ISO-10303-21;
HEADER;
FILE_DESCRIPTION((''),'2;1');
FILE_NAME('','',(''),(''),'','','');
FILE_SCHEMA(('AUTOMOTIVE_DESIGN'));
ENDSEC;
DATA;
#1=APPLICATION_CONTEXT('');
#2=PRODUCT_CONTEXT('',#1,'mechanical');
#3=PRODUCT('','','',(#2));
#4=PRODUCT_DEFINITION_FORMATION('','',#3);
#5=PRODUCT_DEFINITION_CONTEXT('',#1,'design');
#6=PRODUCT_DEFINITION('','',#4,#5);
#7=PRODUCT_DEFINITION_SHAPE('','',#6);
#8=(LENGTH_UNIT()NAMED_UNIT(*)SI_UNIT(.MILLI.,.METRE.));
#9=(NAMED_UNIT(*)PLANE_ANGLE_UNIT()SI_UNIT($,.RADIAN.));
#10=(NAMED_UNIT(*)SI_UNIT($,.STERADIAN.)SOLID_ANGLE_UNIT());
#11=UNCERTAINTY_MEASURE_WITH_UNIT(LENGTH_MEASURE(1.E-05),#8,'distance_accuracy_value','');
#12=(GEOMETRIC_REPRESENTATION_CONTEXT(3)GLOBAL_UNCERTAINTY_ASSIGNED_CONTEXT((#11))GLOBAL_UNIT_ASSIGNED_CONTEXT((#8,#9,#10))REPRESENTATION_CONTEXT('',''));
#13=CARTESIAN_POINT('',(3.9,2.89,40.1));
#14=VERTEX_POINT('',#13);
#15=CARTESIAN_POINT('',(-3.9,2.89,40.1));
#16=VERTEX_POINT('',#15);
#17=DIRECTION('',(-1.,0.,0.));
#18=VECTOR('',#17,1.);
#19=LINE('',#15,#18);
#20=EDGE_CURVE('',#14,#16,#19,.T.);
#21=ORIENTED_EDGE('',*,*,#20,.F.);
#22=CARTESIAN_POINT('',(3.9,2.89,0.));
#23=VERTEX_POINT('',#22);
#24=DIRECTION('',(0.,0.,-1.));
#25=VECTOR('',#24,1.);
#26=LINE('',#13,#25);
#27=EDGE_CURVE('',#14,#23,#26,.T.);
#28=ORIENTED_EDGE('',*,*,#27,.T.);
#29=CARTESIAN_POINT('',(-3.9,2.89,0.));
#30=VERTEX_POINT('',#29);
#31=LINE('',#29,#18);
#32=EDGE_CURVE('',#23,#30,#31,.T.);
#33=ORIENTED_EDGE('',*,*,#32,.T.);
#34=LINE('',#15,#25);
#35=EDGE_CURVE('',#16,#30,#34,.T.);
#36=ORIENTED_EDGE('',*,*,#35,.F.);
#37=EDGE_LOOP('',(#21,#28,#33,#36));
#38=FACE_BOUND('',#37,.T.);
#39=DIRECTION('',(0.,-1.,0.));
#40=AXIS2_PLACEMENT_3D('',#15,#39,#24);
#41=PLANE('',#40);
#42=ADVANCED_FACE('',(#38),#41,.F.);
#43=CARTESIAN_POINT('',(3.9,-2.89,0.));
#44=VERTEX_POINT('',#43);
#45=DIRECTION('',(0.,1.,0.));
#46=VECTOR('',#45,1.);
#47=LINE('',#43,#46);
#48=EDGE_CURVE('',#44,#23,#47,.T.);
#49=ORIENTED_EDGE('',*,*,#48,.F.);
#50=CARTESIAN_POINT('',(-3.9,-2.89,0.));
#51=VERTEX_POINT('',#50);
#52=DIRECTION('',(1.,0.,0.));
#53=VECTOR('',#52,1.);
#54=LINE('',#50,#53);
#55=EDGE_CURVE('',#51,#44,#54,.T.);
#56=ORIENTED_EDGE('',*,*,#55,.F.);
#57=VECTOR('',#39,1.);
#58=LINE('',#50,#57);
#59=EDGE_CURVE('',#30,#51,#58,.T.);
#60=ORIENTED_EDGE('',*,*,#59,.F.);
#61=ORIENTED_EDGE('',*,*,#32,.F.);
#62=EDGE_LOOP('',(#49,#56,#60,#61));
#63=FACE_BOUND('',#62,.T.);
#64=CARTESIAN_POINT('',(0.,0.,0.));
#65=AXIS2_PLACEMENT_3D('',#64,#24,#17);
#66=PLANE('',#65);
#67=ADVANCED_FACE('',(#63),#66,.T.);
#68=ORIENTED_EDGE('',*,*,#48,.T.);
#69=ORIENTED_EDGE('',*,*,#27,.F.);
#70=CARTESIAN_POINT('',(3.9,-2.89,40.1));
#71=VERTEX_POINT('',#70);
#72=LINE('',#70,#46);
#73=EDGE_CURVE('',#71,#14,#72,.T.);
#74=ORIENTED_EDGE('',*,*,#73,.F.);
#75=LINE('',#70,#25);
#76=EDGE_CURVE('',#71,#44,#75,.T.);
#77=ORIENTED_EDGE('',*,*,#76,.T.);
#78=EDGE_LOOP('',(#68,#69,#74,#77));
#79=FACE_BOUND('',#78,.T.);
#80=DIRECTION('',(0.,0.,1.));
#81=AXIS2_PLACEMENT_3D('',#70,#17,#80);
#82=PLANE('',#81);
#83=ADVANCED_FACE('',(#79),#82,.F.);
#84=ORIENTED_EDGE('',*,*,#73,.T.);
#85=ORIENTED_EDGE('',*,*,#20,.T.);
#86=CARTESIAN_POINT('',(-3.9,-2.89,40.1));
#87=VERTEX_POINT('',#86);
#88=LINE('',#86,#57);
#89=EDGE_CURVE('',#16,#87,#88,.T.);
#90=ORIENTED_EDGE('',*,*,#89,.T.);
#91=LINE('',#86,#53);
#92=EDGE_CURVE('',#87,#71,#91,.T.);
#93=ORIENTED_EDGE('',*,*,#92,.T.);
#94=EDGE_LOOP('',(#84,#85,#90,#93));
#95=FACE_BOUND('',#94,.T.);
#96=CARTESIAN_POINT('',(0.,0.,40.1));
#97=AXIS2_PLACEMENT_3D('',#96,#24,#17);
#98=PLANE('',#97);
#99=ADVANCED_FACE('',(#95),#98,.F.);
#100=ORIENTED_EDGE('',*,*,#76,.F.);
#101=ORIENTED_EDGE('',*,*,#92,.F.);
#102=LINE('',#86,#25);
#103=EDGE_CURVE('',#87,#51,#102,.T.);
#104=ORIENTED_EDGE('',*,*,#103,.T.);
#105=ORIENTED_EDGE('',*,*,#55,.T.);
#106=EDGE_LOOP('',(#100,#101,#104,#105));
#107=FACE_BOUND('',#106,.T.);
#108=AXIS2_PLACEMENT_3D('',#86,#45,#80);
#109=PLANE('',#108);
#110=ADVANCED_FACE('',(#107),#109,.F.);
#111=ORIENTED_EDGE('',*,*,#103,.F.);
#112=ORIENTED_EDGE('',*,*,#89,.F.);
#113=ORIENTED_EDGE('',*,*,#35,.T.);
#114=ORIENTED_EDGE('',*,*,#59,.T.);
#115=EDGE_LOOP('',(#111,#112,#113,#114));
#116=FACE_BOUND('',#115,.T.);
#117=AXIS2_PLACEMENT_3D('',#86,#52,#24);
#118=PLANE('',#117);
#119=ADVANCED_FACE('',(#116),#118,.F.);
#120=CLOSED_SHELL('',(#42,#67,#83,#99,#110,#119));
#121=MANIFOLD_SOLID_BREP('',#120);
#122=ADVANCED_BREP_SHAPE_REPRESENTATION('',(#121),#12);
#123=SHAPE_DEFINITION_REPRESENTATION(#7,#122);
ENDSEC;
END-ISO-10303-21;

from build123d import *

# Parameters (mm, degrees)
ESQUISSE1_W        = 7.8
ESQUISSE1_H        = 5.78
BOSS_EXTRU_1_DEPTH = 40.1


with BuildPart() as part:
    # Esquisse1 → Boss.-Extru.1 (new body)
    with BuildSketch(Plane.XY):
        Rectangle(ESQUISSE1_W, ESQUISSE1_H)
    extrude(amount=BOSS_EXTRU_1_DEPTH)


solid = part.part
